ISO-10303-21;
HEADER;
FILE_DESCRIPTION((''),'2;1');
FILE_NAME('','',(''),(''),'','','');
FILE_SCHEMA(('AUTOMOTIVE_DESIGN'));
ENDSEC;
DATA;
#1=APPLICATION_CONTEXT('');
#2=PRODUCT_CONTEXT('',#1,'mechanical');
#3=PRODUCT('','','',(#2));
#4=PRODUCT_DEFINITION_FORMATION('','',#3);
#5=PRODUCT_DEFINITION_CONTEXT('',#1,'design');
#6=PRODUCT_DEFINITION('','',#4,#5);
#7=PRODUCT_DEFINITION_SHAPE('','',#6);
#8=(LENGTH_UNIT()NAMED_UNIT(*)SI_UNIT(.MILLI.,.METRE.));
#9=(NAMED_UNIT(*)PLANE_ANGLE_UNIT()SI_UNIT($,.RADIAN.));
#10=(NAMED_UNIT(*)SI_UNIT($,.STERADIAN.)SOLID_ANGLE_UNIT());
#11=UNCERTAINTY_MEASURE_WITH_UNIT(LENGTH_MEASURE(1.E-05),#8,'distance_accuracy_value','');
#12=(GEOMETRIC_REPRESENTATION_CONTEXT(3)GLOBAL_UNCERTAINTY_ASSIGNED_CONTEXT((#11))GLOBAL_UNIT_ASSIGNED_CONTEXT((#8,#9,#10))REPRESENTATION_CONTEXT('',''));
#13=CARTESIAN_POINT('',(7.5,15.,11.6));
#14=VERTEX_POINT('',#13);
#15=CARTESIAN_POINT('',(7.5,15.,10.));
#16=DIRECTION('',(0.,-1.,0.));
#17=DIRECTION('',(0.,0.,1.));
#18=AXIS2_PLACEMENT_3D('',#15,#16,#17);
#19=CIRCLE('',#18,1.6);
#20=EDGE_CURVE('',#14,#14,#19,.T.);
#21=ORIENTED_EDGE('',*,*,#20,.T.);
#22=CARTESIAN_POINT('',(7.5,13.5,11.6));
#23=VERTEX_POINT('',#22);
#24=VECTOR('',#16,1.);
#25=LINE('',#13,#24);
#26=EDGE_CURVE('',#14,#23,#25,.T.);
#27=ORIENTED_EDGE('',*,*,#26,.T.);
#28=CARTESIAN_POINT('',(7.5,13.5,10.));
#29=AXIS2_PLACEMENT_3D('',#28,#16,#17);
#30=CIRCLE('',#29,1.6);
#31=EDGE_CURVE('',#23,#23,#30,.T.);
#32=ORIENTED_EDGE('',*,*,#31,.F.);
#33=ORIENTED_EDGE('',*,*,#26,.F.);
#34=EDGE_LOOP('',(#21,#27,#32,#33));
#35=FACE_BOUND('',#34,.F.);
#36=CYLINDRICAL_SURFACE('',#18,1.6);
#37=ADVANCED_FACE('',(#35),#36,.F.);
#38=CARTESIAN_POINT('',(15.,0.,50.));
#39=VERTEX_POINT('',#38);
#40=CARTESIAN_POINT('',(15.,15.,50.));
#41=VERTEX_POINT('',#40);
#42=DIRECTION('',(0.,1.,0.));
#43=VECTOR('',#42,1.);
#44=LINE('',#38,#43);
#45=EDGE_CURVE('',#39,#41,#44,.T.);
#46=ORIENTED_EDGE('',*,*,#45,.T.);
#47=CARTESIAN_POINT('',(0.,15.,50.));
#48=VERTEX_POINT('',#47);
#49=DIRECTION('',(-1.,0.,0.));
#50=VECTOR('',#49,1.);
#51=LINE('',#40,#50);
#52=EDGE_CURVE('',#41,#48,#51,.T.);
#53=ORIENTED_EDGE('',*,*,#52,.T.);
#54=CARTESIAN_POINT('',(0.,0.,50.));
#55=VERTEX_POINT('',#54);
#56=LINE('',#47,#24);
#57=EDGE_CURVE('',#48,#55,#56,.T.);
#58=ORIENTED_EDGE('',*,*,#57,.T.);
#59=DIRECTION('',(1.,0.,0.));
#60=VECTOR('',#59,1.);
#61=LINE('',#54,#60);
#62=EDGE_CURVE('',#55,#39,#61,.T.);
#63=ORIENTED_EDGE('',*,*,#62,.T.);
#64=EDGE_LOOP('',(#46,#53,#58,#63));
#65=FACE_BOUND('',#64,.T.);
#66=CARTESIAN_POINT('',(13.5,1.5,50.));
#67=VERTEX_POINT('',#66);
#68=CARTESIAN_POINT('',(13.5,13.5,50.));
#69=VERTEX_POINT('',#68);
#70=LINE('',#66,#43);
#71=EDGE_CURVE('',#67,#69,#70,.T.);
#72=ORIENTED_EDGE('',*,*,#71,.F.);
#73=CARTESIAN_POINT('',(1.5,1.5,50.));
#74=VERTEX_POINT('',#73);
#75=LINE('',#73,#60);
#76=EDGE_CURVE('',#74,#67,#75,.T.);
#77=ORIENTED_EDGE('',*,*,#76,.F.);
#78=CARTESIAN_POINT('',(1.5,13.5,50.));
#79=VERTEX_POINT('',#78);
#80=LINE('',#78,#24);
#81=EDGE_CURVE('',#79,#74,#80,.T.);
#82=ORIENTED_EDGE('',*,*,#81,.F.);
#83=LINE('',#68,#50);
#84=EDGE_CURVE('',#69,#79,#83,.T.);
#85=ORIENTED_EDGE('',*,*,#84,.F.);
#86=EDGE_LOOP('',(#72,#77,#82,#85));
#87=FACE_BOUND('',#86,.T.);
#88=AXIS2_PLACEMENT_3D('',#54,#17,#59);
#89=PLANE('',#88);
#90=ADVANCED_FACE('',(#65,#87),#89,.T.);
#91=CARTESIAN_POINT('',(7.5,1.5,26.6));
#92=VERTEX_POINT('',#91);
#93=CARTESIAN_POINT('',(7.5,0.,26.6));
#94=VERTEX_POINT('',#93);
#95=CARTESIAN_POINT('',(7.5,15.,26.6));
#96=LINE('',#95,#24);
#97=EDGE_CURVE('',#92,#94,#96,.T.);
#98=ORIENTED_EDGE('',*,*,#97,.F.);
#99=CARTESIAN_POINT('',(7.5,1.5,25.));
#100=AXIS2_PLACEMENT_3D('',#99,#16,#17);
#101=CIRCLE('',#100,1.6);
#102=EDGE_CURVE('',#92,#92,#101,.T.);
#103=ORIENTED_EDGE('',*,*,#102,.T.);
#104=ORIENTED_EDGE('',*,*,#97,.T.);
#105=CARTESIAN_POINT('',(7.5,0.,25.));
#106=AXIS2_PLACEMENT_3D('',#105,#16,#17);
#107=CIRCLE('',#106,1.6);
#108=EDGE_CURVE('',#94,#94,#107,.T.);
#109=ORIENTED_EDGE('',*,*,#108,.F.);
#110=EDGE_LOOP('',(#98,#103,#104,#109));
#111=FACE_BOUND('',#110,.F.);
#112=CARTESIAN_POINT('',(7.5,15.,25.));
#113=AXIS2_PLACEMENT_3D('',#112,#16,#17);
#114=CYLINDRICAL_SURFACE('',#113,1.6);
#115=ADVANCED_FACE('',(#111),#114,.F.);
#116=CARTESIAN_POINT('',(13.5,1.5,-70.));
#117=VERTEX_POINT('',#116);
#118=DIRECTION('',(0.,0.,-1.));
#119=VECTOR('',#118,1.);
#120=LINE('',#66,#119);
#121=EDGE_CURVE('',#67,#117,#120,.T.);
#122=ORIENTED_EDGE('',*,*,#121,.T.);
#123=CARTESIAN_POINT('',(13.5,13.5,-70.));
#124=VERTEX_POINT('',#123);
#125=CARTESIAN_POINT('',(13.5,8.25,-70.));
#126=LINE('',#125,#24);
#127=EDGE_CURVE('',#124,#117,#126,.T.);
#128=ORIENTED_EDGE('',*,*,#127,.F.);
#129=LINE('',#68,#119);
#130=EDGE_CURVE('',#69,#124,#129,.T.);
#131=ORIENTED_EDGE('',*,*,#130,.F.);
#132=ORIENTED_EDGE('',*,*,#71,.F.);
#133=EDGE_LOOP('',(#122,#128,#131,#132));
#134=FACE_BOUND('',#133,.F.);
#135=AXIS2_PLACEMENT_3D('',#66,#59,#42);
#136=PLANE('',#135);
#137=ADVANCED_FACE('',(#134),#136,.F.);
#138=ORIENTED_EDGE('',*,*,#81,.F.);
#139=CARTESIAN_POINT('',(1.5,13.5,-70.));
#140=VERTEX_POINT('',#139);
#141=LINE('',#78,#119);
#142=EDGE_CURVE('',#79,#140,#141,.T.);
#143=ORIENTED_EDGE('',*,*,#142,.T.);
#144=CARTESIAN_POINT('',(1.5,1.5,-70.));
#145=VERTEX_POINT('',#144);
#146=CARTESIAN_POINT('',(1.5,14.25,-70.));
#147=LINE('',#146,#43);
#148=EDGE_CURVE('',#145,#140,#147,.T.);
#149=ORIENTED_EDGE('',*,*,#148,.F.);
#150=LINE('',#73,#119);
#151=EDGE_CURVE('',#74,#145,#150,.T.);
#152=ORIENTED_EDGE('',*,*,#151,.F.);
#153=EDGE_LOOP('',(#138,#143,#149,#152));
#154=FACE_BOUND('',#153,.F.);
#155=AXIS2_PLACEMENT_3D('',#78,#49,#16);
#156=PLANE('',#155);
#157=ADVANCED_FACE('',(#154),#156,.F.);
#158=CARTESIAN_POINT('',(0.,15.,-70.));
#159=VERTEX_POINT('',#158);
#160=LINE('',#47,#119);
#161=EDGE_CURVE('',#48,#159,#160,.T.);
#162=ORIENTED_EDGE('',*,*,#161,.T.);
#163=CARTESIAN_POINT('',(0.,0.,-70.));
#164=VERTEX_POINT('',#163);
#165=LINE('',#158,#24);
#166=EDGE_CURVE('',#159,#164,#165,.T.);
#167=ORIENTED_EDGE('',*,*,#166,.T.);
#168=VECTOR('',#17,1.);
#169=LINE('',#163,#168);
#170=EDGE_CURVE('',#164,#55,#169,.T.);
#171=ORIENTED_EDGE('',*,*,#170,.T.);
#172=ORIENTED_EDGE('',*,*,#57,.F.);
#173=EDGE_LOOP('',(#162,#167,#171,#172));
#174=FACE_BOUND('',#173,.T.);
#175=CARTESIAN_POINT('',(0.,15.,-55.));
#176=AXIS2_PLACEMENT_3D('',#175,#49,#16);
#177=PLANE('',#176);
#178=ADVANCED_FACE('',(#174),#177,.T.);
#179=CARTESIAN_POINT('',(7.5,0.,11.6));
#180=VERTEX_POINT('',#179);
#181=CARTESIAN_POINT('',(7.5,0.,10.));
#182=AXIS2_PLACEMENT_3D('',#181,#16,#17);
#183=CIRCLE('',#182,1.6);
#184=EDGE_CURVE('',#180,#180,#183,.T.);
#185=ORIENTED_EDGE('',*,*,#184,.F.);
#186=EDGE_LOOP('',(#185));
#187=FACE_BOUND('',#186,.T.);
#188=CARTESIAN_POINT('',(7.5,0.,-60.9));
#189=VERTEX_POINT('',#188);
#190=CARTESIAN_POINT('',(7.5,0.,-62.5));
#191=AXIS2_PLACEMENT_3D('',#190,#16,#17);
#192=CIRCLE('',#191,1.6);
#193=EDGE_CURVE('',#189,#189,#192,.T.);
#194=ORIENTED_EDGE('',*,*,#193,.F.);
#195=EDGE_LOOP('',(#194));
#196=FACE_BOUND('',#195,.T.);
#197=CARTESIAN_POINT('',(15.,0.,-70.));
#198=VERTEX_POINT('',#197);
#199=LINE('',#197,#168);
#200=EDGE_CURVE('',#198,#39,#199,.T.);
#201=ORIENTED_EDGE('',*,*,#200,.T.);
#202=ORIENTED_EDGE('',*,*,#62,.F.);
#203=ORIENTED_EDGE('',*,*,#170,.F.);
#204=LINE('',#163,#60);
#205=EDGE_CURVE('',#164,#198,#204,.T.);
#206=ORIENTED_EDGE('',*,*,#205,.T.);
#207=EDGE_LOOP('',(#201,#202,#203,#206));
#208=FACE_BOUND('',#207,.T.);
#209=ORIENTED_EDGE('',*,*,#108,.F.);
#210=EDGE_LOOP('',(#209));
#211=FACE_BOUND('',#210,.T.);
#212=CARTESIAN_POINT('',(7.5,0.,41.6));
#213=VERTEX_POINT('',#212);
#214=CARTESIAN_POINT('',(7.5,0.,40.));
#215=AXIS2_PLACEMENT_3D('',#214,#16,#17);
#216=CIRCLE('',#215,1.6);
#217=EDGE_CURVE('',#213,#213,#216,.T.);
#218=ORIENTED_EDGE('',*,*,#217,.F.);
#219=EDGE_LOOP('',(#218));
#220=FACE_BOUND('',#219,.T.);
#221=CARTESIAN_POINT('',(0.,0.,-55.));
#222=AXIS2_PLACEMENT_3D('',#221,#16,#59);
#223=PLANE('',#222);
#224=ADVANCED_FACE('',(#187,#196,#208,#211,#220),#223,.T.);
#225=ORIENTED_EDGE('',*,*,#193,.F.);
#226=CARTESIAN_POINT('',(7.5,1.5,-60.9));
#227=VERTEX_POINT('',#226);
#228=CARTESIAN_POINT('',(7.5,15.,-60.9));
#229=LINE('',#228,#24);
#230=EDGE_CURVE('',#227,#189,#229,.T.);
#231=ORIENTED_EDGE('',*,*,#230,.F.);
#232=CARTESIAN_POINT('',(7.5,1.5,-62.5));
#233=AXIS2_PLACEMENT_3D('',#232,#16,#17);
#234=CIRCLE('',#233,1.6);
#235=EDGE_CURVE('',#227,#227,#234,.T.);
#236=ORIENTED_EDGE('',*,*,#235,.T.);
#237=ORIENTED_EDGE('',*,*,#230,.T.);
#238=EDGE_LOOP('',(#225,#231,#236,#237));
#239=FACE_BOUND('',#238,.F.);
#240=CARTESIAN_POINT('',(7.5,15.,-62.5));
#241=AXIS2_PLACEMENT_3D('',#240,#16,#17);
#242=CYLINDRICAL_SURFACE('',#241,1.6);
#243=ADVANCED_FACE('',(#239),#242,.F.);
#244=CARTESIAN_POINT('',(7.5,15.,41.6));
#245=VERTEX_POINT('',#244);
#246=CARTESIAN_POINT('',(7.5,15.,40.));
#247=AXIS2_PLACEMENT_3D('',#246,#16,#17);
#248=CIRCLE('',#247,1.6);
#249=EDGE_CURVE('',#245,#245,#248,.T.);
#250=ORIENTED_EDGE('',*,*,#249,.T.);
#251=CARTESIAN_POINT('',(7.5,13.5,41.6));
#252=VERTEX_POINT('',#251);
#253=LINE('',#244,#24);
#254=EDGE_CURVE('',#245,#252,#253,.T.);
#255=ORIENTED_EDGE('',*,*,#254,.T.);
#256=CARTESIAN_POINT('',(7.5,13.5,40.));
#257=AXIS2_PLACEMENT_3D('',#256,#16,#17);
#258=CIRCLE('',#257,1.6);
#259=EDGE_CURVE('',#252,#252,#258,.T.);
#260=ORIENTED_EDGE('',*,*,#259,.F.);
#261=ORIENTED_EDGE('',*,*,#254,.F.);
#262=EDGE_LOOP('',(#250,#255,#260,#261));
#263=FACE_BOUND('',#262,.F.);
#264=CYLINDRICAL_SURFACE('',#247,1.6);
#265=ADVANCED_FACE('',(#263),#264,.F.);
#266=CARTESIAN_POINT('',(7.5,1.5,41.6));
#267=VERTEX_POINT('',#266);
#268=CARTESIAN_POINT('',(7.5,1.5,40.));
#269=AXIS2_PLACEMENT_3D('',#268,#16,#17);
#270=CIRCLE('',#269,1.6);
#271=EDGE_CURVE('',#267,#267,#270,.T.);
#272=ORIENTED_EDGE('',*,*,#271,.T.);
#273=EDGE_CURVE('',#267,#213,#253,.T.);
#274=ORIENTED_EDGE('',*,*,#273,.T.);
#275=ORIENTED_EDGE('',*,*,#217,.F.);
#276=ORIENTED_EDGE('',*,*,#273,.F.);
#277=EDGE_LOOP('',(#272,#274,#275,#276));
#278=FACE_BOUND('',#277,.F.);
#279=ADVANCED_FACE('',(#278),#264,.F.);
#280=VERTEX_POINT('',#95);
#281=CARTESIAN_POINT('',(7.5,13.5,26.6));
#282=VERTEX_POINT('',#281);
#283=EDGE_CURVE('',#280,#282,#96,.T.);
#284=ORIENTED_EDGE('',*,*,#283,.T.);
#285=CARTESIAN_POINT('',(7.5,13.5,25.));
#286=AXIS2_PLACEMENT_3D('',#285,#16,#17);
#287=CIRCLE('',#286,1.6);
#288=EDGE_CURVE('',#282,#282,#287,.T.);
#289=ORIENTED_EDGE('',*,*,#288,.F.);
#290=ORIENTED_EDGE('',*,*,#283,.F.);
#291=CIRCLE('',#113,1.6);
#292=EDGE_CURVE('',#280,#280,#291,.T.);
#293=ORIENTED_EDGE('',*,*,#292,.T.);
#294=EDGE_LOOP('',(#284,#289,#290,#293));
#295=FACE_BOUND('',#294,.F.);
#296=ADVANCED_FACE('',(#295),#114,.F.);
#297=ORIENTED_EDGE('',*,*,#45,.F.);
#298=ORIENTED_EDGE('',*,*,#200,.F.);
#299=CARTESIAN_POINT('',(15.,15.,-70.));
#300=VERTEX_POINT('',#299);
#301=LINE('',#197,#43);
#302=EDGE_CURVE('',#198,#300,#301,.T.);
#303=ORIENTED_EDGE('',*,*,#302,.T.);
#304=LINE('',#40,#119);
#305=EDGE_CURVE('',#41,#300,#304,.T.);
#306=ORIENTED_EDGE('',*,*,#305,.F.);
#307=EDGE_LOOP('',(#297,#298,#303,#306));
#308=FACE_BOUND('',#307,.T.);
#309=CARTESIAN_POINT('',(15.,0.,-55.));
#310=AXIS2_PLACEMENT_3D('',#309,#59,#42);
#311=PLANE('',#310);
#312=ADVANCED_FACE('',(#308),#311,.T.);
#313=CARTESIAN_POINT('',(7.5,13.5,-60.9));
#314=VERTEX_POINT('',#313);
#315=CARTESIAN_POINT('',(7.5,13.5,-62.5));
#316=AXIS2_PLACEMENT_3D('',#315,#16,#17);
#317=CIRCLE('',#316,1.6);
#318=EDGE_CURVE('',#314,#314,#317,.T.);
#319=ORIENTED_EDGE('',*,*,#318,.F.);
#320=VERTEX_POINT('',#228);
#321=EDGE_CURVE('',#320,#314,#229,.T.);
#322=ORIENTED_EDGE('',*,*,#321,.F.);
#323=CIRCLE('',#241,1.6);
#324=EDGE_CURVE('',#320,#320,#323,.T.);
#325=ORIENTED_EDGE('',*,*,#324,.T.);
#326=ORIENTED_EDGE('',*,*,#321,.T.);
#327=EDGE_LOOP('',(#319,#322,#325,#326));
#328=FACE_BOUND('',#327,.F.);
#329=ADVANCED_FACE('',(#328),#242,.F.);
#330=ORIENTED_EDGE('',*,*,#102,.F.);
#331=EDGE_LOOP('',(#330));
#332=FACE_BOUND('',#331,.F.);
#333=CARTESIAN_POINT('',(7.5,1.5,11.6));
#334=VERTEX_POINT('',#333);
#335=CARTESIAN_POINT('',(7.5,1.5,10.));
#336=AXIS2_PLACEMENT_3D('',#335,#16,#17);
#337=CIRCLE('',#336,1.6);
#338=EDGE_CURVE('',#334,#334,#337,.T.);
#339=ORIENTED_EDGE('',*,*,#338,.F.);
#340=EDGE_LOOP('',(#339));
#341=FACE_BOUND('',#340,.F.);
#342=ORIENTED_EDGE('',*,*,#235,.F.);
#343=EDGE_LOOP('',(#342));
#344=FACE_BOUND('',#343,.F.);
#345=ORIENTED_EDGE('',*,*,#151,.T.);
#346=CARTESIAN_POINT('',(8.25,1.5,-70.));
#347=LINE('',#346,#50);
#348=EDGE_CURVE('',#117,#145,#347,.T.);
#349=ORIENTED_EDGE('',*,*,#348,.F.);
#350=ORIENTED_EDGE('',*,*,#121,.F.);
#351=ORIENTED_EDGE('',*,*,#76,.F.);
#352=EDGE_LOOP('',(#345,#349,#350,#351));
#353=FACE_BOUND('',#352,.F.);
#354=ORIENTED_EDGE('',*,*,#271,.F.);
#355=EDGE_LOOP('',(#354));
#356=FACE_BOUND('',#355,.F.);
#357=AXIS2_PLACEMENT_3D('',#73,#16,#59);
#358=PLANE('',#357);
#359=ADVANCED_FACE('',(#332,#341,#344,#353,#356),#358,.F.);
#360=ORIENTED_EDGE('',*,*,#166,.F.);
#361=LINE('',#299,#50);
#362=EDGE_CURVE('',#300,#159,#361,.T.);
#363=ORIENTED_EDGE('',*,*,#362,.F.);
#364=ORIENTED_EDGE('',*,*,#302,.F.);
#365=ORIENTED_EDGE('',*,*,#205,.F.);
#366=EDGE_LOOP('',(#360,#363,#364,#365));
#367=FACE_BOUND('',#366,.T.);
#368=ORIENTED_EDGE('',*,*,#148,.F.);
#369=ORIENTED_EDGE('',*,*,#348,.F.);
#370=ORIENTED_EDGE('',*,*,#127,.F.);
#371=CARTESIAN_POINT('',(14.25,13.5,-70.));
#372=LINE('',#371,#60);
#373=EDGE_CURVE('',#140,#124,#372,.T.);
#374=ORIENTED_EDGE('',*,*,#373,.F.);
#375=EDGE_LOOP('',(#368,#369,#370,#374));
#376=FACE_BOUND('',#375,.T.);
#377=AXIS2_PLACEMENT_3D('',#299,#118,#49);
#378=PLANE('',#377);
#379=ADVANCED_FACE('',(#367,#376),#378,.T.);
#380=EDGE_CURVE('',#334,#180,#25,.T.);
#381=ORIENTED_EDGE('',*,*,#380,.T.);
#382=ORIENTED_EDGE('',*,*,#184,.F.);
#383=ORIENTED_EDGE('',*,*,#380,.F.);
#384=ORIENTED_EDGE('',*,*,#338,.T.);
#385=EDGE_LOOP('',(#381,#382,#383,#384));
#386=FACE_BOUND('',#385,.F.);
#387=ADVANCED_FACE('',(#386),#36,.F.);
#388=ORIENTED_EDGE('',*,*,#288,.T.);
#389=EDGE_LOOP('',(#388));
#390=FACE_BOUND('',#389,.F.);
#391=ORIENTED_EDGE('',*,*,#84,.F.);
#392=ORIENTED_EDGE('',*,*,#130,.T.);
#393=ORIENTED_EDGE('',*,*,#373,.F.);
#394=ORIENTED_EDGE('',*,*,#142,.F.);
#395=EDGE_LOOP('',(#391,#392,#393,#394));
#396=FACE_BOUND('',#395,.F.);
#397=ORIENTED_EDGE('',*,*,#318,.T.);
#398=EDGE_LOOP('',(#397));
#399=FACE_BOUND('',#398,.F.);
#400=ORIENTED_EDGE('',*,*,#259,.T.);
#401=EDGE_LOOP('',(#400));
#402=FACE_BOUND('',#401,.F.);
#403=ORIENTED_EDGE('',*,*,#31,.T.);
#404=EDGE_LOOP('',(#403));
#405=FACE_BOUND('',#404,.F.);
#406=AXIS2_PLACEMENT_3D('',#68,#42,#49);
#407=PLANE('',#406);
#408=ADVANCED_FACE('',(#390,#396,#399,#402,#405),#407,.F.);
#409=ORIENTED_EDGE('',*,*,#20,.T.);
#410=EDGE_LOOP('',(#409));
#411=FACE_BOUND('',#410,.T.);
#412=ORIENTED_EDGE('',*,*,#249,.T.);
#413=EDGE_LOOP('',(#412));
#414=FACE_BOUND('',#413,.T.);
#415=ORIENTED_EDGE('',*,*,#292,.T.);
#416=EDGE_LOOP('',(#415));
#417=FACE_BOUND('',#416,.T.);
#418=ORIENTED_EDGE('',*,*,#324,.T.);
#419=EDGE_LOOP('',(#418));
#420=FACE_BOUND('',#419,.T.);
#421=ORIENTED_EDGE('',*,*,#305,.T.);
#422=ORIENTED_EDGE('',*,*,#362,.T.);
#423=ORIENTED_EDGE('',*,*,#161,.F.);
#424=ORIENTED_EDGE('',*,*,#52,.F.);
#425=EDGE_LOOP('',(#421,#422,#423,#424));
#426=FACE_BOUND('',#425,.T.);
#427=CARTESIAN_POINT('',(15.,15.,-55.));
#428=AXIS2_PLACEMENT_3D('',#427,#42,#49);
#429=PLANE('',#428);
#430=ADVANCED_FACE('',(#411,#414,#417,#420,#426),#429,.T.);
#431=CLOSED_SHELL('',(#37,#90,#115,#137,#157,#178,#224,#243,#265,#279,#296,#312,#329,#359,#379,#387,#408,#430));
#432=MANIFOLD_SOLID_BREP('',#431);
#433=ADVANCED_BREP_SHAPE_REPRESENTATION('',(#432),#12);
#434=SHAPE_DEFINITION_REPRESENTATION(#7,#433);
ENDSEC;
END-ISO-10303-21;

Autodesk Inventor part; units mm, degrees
ref_plane "YZ Plane" through (0, 0, 0) normal (1, 0, 0) x (0, 1, 0)
ref_plane "XZ Plane" through (0, 0, 0) normal (0, 1, 0) x (-1, 0, 0)
ref_plane "XY Plane" through (0, 0, 0) normal (0, 0, 1) x (1, 0, 0)
sketch "スケッチ1" plane through (0, 0, 0) normal (0, 0, 1) x (1, 0, 0)
  line L0 (0, 0) -> (15, 0)
  line L1 (15, 0) -> (15, 15)
  line L2 (15, 15) -> (0, 15)
  line L3 (0, 15) -> (0, 0)
  dimension "d0" = 15
  dimension "d1" = 15
extrude "押し出し1" add sketch "スケッチ1" along normal blind 50
sketch "スケッチ2" plane through (0, 15, 0) normal (0, 1, 0) x (1, 0, 0)
  circle A0 centre (7.5, -40) radius 1.6
  line L0 (15, 0) -> (15, -50) projected
  line L1 (15, -50) -> (0, -50) projected
  circle A1 centre (7.5, -25) radius 1.6
  circle A2 centre (7.5, -10) radius 1.6
  line L2 (15, 0) -> (0, 0) projected
  dimension "d4" = 3.2
  dimension "d5" = 7.5
  dimension "d6" = 10
  dimension "d7" = 3.2
  dimension "d8" = 3.2
  dimension "d9" = 15
  dimension "d10" = 7.5
  dimension "d11" = 15
  dimension "d12" = 10
  dimension "d13" = 7.5
hole "穴1" at (7.5, 15, 40) at (7.5, 15, 25) at (7.5, 15, 10) direction (0, -1, 0) diameter 3.2 end through all
sketch "スケッチ3" plane through (0, 0, 0) normal (0, 0, -1) x (-1, 0, 0)
  line L0 (0, 15) -> (0, 0) projected
  line L1 (0, 0) -> (-15, 0)
  line L2 (-15, 0) -> (-15, 15)
  line L3 (-15, 15) -> (0, 15)
  line L4 (0, 15) -> (0, 0)
  dimension "d21" = 15
  dimension "d22" = 15
extrude "押し出し2" add sketch "スケッチ3" along normal blind 135
sketch "スケッチ4" plane through (0, 15, 50) normal (0, 1, 0) x (1, 0, 0)
  line L0 (15, 0) -> (15, 185) projected
  line L1 (15, 185) -> (0, 185)
  line L2 (0, 185) -> (0, 105)
  line L3 (0, 105) -> (15, 105)
  line L4 (15, 105) -> (15, 185)
  point P0 (0, 50)
  dimension "d25" = 15
  dimension "d26" = 80
extrude "押し出し3" cut sketch "スケッチ4" against normal blind 135
sketch "スケッチ5" plane through (15, 15, -55) normal (0, 0, -1) x (-1, 0, 0)
  line L0 (15, 0) -> (15, -15) projected
  line L1 (0, -15) -> (0, 0) projected
  line L2 (15, -15) -> (0, -15)
  line L3 (0, -15) -> (0, 0)
  line L4 (0, 0) -> (15, 0)
  line L5 (15, 0) -> (15, -15)
extrude "押し出し4" add sketch "スケッチ5" along normal blind 15
sketch "スケッチ6" plane through (0, 15, 50) normal (0, 1, 0) x (1, 0, 0)
  line L0 (15, 120) -> (15, 0) construction
  line L1 (15, 120) -> (0, 120) construction
  line L2 (0, 120) -> (0, 105) construction
  line L3 (0, 105) -> (15, 105) construction
  line L4 (15, 105) -> (15, 120) construction
  circle A0 centre (7.5, 112.5) radius 1.6
  point P0 (0, 50)
  dimension "d31" = 15
  dimension "d32" = 15
  dimension "d33" = 3.2
hole "穴2" at (7.5, 15, -62.5) direction (0, -1, 0) diameter 3.2 end through all
sketch "スケッチ7" plane through (0, 0, 50) normal (0, 0, 1) x (1, 0, 0)
  line L0 (1.5, 1.5) -> (13.5, 1.5)
  line L1 (13.5, 1.5) -> (13.5, 13.5)
  line L2 (13.5, 13.5) -> (1.5, 13.5)
  line L3 (1.5, 13.5) -> (1.5, 1.5)
  line L4 (15, 15) -> (0, 15) projected
  line L5 (0, 15) -> (0, 0) projected
  point P0 (0, 7.5)
  point P1 (1.5, 7.5)
  dimension "d41" = 12
  dimension "d42" = 12
  dimension "d43" = 1.5
  dimension "d44" = 1.5
extrude "押し出し5" cut sketch "スケッチ7" against normal blind 130
properties part number "射出_角柱1" material "アルミニウム 6061"
